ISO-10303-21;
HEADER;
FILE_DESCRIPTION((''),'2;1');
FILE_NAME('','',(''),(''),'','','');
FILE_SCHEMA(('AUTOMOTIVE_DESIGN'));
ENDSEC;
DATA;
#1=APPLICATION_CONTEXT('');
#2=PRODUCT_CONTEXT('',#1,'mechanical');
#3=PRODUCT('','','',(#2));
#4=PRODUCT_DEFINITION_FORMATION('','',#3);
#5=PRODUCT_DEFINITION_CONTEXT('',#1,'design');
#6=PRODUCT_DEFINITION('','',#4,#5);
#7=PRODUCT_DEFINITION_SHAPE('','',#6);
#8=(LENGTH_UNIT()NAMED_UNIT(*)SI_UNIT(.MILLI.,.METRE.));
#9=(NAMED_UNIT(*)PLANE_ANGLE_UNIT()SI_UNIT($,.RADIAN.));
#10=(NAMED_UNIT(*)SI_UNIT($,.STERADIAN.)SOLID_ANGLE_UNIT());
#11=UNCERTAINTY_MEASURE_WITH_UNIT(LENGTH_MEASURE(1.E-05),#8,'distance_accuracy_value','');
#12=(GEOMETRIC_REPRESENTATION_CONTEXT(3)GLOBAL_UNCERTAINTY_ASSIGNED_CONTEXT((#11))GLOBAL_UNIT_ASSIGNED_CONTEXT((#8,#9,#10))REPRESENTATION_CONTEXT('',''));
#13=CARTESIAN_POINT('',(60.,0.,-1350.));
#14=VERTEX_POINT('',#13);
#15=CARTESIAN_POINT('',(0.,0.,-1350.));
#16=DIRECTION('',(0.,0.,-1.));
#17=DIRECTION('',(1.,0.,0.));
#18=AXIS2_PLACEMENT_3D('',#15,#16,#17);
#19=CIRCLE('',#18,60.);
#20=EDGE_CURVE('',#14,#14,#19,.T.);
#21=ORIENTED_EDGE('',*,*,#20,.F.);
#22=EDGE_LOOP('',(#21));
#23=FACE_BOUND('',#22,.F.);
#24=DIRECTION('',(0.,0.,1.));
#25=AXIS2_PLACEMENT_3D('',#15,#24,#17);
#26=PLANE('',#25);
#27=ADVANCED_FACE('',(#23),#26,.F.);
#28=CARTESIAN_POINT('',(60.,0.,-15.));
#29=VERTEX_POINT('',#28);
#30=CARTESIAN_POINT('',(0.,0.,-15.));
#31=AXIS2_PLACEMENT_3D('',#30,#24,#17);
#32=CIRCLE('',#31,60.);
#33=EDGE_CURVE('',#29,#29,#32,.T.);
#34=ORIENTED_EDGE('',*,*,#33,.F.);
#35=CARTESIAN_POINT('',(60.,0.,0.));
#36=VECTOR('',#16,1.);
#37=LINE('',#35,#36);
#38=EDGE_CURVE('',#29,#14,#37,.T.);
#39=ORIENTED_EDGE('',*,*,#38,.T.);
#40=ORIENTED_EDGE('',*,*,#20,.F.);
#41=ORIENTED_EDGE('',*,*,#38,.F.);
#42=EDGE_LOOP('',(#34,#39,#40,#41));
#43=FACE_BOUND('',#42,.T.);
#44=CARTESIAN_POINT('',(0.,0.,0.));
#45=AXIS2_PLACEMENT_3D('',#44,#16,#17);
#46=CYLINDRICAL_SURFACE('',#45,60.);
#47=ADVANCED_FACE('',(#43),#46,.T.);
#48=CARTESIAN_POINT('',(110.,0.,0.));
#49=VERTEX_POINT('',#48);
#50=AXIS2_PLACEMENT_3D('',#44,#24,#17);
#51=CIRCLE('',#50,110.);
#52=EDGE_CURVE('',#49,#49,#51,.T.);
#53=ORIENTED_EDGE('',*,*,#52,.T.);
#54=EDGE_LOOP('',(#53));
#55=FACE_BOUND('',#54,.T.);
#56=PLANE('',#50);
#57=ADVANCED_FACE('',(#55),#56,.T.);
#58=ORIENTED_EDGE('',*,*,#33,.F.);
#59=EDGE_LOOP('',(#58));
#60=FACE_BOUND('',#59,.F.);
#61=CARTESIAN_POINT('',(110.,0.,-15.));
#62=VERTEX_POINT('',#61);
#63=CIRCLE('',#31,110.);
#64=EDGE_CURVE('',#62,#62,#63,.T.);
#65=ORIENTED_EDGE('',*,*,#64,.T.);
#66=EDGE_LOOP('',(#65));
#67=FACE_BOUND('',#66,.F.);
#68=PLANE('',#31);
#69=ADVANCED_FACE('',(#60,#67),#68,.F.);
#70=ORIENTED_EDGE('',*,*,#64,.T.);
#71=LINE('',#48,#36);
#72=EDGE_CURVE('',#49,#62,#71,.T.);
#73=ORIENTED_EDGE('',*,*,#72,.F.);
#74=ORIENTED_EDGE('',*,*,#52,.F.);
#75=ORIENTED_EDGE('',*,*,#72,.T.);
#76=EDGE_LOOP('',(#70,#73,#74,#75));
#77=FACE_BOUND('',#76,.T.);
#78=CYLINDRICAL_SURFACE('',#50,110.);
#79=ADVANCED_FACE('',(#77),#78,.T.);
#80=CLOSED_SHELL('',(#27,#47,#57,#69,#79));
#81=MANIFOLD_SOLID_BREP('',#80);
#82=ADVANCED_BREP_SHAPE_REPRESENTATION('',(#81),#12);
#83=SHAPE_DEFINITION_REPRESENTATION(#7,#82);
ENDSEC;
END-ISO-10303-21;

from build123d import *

# Parameters (mm, degrees)
F0_R     = 60
F0_R_2   = 110
F3_DEPTH = 15


with BuildPart() as f2:
    # F2: sweep along a path in F1
    with BuildLine(Plane.XZ) as f2_path:
        Line((0, 0), (0, -1350))
    # F0 (on Top) → F2 (sweep)
    with BuildSketch(Plane.XY):
        Circle(F0_R)
    sweep(path=f2_path.line)

    # F0 (on Top) → F3 (join)
    with BuildSketch(Plane.XY):
        Circle(F0_R_2)
        Circle(F0_R, mode=Mode.SUBTRACT)
    extrude(amount=-F3_DEPTH)


solid = f2.part
